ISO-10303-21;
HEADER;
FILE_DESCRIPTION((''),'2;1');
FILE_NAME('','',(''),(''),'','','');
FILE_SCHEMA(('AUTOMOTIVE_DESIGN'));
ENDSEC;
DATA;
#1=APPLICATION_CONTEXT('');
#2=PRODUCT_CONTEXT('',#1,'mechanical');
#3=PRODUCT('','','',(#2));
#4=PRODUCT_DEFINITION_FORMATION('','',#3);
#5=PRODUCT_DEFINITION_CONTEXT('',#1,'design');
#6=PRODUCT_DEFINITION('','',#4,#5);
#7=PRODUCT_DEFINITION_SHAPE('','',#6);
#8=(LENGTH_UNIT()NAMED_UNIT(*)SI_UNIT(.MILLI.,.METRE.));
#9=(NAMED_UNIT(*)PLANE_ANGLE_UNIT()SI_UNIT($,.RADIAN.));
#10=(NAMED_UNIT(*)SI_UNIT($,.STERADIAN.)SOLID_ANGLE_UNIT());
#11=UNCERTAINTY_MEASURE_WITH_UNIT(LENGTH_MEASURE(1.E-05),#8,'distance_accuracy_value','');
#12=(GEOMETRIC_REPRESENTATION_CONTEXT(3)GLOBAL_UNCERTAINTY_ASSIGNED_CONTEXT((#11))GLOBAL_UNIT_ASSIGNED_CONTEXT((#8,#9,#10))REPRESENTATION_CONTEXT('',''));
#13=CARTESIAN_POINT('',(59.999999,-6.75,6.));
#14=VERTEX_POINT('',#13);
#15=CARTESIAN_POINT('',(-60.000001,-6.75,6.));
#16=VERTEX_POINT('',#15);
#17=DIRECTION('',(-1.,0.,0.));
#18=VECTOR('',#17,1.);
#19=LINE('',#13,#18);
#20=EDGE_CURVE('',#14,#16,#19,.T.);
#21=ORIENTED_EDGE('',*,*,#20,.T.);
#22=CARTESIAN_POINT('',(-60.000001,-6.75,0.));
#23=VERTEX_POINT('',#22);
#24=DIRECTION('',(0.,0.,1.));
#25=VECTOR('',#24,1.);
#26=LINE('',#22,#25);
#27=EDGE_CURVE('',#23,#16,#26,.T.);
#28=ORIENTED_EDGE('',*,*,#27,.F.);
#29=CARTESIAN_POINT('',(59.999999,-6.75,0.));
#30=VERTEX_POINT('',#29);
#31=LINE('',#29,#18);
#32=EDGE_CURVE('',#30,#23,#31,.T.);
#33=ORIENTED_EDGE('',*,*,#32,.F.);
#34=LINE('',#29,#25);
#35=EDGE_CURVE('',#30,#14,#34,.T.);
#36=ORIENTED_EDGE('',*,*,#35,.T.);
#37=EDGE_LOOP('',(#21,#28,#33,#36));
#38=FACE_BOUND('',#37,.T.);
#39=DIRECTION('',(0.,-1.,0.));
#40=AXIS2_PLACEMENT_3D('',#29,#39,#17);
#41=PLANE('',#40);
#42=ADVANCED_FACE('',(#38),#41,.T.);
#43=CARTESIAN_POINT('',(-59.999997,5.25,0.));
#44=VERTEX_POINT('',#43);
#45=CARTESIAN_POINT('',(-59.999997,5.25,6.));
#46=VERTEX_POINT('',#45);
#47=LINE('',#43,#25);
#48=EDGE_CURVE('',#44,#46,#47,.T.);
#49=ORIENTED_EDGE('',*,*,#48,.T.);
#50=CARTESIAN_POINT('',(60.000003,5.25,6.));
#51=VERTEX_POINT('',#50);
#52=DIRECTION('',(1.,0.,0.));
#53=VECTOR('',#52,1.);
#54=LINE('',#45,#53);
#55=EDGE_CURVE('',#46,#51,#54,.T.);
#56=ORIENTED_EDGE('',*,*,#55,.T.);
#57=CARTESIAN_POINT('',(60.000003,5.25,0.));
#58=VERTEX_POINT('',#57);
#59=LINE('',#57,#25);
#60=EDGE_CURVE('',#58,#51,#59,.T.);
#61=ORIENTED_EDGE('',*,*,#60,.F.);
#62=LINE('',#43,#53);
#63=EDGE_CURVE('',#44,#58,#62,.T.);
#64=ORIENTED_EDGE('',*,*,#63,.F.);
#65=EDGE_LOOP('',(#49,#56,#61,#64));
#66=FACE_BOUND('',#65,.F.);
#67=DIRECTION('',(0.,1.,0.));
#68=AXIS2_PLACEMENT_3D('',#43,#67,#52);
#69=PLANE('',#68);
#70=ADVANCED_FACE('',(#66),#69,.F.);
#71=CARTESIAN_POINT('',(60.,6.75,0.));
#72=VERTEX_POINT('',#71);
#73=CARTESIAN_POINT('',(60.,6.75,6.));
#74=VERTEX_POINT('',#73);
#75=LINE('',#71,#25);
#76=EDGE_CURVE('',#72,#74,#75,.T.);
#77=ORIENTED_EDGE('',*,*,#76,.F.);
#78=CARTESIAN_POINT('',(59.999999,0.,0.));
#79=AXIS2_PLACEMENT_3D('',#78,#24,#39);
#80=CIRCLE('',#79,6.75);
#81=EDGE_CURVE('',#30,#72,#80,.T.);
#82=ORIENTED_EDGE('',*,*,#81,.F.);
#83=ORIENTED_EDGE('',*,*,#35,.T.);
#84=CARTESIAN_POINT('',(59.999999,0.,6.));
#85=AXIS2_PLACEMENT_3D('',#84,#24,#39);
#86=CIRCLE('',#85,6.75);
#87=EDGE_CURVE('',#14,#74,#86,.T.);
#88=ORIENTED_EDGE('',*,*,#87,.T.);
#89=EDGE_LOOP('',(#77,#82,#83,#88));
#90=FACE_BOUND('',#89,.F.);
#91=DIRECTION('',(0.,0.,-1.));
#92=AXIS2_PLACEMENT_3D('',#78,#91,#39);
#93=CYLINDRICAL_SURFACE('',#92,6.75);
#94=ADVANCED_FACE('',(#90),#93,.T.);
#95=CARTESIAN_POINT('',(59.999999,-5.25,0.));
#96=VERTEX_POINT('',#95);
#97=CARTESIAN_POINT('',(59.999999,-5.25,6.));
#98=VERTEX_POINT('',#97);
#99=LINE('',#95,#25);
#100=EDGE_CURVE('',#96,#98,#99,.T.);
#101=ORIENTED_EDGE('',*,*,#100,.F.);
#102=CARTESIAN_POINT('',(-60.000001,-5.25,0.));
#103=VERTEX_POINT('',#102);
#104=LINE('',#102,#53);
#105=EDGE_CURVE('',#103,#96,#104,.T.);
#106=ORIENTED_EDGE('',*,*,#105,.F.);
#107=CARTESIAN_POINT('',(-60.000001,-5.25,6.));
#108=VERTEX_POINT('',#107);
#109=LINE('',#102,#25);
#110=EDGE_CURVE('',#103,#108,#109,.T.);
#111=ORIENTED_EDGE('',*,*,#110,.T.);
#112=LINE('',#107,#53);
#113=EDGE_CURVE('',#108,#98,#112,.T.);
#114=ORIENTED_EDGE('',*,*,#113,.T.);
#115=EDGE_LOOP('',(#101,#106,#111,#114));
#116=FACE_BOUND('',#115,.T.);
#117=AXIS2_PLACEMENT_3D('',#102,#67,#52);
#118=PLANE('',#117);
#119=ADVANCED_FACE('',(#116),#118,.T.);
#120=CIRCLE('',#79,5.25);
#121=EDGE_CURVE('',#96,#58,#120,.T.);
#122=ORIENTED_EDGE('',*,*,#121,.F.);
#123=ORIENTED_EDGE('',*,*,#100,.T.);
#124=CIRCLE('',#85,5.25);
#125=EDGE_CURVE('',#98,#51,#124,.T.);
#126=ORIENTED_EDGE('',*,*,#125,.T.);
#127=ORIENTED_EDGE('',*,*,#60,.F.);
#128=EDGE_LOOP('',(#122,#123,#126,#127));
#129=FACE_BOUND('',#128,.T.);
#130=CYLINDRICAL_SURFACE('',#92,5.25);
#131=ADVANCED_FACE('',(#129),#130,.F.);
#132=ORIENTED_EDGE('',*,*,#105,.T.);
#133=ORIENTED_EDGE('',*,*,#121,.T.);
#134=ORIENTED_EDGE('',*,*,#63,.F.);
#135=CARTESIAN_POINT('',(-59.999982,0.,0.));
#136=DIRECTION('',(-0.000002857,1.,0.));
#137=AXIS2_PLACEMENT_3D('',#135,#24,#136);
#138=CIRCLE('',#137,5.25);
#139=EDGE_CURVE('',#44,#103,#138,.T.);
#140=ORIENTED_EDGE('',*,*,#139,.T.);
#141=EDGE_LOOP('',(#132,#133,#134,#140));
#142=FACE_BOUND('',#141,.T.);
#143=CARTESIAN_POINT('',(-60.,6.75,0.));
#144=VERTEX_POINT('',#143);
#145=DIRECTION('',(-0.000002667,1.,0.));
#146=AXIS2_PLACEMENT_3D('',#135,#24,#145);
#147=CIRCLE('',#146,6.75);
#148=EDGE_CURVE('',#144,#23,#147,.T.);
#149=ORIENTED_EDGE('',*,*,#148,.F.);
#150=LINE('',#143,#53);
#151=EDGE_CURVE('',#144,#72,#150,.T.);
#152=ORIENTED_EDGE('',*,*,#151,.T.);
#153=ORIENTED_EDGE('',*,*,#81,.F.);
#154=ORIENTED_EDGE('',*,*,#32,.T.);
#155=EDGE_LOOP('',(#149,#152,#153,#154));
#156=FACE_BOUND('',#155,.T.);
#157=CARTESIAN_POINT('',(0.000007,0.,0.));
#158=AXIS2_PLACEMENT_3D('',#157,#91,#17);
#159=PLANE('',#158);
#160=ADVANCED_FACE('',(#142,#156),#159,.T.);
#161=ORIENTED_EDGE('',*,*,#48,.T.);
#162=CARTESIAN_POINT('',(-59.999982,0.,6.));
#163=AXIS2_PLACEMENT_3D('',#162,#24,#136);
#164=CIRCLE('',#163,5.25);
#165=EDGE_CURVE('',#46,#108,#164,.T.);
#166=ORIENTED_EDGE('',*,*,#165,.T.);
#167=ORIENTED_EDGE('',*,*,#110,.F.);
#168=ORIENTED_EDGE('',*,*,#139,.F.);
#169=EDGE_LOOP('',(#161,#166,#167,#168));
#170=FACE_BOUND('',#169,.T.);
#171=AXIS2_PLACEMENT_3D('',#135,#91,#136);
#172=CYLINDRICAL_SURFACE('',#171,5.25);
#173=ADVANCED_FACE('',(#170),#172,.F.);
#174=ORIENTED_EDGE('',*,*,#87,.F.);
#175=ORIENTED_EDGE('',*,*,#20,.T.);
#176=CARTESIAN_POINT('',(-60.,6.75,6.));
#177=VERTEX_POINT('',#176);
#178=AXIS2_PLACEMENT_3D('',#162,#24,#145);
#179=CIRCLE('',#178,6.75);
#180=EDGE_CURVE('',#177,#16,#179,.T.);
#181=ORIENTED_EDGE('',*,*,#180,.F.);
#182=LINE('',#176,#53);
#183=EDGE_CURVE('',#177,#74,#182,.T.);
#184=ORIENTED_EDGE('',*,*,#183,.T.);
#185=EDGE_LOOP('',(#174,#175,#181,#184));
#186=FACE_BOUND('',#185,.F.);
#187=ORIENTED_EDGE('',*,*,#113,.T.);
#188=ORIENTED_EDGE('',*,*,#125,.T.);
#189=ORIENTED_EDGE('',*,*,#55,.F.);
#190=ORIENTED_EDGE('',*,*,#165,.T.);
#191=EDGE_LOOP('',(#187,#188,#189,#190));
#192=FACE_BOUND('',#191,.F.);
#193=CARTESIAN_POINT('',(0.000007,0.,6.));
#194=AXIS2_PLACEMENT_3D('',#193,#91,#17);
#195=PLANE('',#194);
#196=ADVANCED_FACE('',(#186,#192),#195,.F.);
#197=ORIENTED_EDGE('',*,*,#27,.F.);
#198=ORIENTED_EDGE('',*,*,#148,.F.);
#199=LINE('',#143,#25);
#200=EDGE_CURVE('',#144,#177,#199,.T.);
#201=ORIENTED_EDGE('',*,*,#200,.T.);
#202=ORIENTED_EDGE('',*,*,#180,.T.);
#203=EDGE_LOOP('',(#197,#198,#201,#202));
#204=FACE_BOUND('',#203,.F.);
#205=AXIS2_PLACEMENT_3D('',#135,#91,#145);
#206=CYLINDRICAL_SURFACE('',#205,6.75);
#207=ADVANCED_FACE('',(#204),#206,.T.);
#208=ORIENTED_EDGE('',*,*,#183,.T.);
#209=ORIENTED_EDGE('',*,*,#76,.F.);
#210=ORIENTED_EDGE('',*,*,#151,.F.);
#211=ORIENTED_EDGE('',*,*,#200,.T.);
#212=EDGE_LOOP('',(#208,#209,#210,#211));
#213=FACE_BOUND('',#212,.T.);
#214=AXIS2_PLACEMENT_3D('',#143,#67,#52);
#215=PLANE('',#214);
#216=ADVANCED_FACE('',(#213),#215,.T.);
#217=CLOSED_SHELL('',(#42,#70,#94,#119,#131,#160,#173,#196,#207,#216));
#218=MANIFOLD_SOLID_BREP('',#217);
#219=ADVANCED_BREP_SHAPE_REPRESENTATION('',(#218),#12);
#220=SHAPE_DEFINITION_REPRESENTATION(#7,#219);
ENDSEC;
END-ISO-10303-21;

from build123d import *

# Parameters (mm, degrees)
PAD_DEPTH = 6


with BuildPart() as part:
    # Sketch → Pad (new body)
    with BuildSketch(Plane.XY):
        with BuildLine():
            Line((-60, 6.75), (60, 6.75))
            ThreePointArc((59.999999, -6.75), (66.749999, 0), (60, 6.75))
            Line((59.999999, -6.75), (-60.000001, -6.75))
            ThreePointArc((-60, 6.75), (-66.749982, 0), (-60.000001, -6.75))
        make_face()
        with BuildLine():
            Line((-60.000001, -5.25), (59.999999, -5.25))
            ThreePointArc((59.999999, -5.25), (65.249999, -2e-06), (60.000003, 5.25))
            Line((-59.999997, 5.25), (60.000003, 5.25))
            ThreePointArc((-59.999997, 5.25), (-65.249982, 2e-06), (-60.000001, -5.25))
        make_face(mode=Mode.SUBTRACT)
    extrude(amount=PAD_DEPTH)


solid = part.part
